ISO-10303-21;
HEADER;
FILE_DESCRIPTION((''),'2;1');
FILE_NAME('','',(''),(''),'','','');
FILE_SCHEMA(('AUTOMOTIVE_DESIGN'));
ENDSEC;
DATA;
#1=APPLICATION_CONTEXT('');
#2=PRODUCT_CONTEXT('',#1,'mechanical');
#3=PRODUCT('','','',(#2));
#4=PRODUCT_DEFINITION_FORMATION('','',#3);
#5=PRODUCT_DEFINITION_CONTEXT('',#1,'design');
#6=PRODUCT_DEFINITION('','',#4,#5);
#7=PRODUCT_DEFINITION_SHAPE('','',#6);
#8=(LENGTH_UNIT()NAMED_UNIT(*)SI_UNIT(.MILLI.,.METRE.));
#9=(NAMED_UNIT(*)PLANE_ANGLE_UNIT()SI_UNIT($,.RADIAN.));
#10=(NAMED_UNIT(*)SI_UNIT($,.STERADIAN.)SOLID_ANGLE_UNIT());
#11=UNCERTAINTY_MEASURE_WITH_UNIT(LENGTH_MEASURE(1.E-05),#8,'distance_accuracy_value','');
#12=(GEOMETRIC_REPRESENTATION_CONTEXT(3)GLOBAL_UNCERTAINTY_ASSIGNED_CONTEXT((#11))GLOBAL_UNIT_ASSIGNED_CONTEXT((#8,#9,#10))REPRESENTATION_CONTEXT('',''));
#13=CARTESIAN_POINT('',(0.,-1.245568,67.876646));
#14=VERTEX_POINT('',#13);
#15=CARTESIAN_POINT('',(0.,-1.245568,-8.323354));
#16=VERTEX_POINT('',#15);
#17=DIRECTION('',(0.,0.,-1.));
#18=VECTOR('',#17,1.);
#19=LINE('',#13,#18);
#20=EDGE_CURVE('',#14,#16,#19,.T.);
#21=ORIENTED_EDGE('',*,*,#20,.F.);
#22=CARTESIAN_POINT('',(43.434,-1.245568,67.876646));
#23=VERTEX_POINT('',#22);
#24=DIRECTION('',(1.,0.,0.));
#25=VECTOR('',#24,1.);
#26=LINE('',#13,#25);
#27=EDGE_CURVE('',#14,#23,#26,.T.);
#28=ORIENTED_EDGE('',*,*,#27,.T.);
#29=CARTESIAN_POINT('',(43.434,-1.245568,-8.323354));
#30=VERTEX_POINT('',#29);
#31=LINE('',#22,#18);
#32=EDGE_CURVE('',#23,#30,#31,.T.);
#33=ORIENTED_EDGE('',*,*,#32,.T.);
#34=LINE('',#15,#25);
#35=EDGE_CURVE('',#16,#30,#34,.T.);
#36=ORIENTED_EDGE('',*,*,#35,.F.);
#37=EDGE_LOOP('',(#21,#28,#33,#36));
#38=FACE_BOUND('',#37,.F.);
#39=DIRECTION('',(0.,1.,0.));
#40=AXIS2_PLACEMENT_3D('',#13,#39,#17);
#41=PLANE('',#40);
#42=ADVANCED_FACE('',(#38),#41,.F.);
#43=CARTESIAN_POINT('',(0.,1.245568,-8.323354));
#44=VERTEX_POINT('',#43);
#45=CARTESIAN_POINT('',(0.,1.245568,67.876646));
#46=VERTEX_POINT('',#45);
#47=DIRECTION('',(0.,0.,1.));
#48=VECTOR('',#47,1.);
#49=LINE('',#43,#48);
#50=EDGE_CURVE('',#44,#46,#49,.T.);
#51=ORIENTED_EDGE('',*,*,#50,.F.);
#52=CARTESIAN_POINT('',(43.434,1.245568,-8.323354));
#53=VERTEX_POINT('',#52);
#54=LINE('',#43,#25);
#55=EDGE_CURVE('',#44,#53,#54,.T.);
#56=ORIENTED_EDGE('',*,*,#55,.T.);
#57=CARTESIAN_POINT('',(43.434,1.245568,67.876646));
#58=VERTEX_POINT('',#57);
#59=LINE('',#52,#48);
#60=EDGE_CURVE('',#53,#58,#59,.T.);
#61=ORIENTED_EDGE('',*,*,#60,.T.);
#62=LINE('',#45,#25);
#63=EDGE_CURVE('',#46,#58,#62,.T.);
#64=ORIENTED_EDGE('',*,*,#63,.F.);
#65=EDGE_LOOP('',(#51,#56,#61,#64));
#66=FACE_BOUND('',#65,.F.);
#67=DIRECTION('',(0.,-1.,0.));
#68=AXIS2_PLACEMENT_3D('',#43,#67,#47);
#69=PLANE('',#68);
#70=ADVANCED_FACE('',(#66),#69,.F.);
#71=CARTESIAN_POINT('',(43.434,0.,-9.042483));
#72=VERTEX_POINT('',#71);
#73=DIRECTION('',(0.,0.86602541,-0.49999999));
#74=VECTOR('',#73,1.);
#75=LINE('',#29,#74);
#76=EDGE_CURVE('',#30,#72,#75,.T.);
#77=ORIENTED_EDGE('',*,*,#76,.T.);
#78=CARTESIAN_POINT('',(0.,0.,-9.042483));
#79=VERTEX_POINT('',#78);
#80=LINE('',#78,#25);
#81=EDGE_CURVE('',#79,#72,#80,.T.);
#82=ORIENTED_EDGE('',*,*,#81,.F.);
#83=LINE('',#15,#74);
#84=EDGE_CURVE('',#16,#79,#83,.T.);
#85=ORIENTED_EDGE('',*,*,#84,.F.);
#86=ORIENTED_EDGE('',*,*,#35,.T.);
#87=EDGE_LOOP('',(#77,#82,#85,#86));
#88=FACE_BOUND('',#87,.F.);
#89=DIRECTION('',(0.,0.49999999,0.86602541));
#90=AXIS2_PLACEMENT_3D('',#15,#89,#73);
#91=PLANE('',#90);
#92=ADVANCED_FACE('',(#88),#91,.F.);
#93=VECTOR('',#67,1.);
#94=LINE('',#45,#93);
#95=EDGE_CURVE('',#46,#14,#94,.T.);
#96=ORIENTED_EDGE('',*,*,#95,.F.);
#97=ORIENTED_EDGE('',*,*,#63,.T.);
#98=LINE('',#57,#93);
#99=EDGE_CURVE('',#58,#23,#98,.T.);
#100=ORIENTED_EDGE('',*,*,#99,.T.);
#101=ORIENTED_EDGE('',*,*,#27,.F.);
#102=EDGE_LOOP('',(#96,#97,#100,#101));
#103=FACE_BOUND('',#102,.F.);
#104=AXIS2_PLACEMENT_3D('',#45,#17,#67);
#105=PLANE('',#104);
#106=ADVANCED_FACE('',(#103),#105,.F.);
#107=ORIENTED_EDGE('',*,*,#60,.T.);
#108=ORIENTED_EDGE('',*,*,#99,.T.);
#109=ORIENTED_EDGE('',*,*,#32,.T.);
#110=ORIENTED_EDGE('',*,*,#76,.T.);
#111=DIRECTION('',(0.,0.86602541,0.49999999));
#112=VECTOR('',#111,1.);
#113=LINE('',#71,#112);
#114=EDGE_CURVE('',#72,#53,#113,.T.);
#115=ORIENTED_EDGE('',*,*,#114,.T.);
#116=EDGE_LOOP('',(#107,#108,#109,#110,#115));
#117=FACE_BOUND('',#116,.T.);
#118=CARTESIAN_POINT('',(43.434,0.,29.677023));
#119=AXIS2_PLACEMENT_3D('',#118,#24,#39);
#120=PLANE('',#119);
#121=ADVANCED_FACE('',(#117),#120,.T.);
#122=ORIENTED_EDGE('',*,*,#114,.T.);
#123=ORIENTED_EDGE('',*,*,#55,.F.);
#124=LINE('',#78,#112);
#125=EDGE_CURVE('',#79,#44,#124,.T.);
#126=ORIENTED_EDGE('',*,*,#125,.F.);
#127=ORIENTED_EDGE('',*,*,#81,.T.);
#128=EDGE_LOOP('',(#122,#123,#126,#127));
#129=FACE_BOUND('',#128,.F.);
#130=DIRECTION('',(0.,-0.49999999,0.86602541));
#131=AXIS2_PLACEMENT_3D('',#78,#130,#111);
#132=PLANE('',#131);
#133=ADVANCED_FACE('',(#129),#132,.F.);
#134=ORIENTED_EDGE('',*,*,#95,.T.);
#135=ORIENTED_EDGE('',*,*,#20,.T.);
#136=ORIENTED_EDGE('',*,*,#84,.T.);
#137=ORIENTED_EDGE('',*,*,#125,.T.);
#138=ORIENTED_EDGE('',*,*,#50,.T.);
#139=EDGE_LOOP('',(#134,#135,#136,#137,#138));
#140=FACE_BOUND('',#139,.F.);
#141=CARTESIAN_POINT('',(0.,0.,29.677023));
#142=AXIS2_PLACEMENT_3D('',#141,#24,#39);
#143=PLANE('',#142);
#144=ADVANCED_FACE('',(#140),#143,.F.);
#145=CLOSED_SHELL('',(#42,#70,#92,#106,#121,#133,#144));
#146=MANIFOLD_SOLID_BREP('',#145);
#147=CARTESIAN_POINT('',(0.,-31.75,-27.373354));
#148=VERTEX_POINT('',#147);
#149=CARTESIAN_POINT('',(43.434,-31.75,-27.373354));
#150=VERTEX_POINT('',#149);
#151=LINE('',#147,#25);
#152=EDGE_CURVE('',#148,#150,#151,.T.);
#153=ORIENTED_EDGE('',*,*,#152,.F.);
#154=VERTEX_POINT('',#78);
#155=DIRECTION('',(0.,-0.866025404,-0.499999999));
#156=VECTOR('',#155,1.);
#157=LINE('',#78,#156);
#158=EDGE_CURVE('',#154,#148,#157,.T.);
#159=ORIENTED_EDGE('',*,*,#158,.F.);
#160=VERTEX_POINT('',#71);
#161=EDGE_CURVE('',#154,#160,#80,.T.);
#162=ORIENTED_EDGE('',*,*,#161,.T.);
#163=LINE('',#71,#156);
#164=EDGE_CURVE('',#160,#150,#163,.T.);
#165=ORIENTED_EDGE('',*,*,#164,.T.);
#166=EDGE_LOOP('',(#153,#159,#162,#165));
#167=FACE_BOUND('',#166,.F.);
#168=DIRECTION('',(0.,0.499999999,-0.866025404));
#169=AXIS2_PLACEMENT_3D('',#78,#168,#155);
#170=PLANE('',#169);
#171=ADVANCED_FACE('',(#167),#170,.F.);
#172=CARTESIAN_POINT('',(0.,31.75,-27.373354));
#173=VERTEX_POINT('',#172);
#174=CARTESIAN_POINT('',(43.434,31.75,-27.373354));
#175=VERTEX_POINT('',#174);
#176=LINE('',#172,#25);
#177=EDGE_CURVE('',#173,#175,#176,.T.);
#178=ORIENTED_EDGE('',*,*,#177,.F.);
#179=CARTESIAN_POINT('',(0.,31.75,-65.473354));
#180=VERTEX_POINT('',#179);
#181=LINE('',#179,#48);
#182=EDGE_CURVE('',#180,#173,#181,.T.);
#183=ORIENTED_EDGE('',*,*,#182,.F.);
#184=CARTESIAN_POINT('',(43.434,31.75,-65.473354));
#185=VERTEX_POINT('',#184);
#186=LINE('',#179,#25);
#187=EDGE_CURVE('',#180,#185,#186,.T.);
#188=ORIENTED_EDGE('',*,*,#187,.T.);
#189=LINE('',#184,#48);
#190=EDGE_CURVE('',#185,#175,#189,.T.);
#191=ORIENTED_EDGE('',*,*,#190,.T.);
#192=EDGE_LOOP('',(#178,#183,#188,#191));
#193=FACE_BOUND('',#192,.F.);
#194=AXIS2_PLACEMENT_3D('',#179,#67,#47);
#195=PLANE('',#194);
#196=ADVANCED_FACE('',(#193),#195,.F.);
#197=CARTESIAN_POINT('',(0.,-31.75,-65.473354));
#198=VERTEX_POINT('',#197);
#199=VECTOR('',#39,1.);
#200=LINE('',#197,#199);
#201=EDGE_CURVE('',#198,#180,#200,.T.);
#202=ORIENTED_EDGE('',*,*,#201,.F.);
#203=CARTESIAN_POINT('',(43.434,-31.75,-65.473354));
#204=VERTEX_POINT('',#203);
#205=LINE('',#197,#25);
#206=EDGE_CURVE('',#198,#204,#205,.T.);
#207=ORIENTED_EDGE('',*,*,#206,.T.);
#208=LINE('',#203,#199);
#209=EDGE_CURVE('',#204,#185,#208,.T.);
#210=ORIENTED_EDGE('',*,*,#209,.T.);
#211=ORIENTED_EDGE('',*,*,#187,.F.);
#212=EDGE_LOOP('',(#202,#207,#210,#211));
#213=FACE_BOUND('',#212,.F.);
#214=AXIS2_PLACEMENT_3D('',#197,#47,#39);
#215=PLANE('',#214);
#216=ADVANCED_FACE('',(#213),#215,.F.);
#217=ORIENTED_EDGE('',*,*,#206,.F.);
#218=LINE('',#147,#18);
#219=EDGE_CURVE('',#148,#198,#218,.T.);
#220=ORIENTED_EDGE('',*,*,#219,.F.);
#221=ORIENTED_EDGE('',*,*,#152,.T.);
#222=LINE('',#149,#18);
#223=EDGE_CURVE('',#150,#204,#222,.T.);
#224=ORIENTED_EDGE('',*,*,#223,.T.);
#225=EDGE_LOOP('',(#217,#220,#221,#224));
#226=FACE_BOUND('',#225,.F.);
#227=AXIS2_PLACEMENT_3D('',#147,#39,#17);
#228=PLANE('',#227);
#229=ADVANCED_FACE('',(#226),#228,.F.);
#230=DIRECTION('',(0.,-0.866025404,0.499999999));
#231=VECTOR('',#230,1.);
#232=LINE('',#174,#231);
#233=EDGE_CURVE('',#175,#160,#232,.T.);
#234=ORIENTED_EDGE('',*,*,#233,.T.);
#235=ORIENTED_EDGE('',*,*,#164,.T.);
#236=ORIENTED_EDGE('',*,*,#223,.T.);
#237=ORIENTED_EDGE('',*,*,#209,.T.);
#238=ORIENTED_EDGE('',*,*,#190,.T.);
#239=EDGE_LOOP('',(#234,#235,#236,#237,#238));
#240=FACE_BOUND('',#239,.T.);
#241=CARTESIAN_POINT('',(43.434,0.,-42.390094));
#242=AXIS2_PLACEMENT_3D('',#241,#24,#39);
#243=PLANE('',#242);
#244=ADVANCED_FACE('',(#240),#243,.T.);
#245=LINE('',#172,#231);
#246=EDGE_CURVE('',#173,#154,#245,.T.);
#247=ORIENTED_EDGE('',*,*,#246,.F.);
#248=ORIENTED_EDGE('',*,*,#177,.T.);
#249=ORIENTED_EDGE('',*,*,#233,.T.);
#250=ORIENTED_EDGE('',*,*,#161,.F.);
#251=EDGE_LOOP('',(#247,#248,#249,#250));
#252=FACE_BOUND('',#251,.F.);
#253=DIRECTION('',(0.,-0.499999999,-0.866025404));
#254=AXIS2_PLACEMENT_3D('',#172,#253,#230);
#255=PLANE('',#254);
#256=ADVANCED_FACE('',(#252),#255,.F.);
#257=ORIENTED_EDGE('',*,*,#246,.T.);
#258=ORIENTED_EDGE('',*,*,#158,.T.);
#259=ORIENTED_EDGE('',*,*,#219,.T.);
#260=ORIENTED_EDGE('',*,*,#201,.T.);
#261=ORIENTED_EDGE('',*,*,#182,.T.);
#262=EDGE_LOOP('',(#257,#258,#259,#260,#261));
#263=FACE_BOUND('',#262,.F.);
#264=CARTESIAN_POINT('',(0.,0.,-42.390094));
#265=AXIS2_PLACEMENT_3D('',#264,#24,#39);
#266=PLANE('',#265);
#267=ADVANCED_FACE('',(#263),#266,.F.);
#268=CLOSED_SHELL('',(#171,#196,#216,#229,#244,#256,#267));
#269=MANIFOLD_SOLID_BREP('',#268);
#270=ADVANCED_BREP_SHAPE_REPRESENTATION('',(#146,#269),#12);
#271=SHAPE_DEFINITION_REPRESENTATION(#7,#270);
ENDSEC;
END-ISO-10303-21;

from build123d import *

# Parameters (mm, degrees)
F1_DEPTH = 43.434


with BuildPart() as f1:
    # F0 (on Right) → F1 (new body)
    with BuildSketch(Plane.YZ):
        Polygon((-31.75, -27.373354), (-31.75, -65.473354), (31.75, -65.473354), (31.75, -27.373354), (0, -9.042483), align=None)
        Polygon((-1.245568, -8.323354), (0, -9.042483), (1.245568, -8.323354), (1.245568, 67.876646), (0, 67.876646), (-1.245568, 67.876646), align=None)
    extrude(amount=F1_DEPTH)


solid = f1.part
